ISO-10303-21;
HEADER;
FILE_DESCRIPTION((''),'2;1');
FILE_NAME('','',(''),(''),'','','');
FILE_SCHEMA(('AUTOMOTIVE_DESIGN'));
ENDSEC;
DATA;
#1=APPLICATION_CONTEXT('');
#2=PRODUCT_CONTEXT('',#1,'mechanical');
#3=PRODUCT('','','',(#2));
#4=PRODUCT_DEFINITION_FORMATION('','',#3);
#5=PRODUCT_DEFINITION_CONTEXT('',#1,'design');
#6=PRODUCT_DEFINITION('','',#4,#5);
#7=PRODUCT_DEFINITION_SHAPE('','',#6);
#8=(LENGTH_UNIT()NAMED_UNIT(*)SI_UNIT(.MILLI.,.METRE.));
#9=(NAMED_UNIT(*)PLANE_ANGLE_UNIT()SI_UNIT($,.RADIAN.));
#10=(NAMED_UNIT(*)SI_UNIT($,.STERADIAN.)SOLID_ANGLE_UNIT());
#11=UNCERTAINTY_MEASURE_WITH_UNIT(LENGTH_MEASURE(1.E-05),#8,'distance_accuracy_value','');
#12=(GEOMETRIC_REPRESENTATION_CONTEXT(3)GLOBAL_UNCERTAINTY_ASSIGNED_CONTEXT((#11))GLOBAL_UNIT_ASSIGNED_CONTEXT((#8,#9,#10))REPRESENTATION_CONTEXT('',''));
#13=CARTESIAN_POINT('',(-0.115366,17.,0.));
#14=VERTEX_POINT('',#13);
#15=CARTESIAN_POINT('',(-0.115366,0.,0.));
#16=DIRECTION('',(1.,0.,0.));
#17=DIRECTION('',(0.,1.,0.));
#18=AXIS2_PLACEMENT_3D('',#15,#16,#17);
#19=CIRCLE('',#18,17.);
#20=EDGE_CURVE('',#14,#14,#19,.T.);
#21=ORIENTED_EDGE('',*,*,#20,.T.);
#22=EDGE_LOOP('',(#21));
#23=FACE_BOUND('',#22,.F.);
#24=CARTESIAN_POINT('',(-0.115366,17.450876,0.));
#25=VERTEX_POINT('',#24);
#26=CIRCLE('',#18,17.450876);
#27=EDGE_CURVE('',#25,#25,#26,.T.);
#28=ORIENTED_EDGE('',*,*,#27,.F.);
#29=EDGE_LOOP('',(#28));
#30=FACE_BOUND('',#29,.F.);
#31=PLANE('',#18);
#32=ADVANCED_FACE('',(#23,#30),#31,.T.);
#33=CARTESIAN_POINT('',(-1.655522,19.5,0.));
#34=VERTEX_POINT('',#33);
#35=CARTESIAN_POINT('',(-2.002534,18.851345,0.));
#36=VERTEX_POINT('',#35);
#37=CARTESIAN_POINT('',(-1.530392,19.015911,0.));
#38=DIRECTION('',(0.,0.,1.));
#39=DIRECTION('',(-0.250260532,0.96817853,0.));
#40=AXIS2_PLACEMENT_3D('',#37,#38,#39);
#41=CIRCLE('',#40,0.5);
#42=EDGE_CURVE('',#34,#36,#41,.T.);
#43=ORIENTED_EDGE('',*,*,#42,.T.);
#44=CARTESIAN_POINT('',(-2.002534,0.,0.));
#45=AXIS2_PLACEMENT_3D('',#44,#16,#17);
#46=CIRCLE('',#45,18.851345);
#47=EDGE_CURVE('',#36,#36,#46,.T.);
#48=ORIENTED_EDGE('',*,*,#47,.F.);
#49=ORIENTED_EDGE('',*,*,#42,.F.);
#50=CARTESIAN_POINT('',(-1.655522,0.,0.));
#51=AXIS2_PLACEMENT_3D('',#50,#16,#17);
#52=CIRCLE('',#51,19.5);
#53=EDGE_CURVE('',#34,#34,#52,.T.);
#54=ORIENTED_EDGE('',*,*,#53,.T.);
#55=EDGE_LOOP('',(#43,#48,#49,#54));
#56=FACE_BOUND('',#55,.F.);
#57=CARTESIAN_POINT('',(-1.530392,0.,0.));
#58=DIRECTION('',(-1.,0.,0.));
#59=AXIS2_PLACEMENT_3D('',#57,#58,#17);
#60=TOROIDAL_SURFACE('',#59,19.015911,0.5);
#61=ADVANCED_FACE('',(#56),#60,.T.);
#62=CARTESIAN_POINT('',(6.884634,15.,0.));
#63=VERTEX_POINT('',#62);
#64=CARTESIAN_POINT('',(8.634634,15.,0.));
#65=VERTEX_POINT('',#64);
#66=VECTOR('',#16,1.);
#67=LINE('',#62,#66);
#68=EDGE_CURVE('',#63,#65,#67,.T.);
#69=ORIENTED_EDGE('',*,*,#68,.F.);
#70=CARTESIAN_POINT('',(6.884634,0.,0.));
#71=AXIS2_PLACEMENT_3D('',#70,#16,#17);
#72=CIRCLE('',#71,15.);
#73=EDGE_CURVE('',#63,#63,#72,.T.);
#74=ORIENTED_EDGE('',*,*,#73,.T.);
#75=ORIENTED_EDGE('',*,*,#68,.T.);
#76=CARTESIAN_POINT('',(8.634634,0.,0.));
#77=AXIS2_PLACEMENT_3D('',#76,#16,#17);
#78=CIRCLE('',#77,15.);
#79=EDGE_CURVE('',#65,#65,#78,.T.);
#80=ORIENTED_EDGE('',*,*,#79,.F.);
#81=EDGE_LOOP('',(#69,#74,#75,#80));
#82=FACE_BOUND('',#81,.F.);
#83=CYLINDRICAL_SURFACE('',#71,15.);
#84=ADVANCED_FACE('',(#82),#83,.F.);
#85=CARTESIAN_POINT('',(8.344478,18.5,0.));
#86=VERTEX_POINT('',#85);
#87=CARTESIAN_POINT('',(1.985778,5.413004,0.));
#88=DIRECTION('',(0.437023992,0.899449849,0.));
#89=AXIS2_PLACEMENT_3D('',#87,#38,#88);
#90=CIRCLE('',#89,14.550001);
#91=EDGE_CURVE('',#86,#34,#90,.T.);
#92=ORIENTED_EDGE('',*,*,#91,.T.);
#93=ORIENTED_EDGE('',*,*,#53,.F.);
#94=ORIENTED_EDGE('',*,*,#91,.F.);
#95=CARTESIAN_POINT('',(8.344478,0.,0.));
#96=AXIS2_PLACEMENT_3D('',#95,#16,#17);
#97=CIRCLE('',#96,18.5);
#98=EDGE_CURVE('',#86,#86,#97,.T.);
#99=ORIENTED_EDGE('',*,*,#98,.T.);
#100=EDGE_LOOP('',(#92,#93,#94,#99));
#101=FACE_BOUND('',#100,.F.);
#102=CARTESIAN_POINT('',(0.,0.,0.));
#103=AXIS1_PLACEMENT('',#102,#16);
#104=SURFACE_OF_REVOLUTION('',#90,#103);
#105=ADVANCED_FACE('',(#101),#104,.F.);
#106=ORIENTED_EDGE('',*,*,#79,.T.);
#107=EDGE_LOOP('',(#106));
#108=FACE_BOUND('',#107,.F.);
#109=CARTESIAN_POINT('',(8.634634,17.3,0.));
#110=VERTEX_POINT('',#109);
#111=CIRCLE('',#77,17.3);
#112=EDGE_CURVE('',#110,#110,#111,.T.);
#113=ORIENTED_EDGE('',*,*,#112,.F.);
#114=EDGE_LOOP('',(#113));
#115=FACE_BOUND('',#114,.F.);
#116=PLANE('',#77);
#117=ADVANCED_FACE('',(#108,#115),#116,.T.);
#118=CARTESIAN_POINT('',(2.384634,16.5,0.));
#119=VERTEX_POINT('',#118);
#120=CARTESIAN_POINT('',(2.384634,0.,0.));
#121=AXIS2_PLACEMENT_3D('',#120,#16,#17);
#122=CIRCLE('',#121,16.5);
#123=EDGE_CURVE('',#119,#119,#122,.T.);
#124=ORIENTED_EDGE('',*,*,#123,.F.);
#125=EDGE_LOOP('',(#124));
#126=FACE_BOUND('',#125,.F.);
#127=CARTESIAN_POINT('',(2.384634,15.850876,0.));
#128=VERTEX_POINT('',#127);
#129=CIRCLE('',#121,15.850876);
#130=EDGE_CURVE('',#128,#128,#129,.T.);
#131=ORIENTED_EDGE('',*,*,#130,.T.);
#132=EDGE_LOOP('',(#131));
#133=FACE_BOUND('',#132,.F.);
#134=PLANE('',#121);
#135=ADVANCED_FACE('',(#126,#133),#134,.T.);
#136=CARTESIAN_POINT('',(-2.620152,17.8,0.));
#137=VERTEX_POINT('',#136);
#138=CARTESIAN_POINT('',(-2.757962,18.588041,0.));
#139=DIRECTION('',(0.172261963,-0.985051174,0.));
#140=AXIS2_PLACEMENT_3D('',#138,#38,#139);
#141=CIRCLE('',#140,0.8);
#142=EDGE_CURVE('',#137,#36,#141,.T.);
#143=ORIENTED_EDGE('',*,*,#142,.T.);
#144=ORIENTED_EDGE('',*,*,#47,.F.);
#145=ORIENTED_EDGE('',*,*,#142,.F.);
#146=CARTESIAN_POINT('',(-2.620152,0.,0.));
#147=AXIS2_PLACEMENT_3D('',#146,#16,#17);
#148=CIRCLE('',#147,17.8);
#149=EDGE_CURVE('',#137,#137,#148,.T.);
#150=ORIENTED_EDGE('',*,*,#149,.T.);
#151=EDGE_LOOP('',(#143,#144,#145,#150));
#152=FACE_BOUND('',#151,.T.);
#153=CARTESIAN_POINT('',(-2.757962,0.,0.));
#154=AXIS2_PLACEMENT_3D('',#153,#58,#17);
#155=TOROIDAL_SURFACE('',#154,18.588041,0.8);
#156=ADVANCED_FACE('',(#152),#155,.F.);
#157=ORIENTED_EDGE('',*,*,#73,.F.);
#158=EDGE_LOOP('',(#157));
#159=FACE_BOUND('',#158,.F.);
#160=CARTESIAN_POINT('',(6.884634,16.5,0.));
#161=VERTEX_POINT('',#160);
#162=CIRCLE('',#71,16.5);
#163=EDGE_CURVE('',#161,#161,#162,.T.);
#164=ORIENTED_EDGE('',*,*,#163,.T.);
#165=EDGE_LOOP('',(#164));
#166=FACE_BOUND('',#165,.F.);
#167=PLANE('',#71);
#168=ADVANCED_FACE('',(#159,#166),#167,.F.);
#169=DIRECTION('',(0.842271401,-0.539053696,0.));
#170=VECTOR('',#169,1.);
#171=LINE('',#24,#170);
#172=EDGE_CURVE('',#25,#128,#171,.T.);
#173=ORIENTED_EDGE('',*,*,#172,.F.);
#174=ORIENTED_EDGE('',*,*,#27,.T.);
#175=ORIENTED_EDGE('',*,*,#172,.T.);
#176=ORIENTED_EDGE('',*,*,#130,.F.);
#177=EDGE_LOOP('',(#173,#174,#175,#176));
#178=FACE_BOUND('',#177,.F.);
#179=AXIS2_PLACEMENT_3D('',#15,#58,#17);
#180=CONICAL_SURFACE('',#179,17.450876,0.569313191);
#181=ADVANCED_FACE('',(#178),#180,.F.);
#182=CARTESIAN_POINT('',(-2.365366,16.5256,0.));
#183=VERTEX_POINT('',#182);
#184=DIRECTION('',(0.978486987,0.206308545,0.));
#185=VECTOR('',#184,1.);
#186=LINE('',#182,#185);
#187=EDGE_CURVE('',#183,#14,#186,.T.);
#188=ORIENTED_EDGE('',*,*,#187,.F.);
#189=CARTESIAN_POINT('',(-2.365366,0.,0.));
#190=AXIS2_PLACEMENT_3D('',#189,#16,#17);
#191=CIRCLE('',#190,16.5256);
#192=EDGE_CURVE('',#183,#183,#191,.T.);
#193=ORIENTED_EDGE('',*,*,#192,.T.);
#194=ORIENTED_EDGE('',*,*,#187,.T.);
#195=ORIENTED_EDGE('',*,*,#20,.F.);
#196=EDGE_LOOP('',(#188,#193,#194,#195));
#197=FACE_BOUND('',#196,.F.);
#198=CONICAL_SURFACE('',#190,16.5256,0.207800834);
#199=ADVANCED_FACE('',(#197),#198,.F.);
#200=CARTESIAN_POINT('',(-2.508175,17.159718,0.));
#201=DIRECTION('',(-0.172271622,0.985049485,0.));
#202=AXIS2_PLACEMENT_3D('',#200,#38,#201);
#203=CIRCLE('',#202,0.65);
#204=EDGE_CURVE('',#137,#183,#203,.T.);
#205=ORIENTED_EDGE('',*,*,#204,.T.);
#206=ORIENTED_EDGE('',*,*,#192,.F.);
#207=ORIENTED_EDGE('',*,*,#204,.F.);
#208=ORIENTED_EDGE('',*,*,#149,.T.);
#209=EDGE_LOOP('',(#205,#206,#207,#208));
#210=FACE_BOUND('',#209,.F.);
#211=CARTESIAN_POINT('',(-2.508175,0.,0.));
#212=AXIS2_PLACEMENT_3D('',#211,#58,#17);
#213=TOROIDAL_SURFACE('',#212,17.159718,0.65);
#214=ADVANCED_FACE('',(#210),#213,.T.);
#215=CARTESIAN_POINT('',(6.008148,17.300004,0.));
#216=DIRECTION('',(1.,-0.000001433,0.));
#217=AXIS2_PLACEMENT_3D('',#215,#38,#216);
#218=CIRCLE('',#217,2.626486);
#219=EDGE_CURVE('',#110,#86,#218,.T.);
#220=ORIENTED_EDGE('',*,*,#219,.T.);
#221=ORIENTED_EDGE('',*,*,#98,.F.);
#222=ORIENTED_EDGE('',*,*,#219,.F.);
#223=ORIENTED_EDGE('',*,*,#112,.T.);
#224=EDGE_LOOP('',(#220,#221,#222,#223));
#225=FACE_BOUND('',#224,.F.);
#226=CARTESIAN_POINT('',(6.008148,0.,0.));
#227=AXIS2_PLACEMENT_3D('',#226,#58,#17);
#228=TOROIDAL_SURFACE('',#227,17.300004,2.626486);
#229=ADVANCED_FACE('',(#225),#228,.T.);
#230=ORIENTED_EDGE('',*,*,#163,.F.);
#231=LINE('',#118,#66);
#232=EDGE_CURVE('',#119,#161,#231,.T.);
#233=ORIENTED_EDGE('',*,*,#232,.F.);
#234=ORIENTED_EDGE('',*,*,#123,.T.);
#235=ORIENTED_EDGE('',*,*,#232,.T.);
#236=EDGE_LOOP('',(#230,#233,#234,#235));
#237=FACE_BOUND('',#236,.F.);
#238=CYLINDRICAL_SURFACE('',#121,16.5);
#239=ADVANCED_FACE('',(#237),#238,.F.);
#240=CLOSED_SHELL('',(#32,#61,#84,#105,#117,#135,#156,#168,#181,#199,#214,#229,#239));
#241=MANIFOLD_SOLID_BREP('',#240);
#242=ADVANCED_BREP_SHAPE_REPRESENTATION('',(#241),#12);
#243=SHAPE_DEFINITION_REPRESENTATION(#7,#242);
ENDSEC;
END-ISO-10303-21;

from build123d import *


with BuildPart() as part:
    # Sketch → Revolution (revolve)
    with BuildSketch(Plane.XY):
        with BuildLine():
            ThreePointArc((8.344478, 18.5), (3.433557, 19.890796), (-1.655522, 19.5))
            ThreePointArc((-1.655522, 19.5), (-1.971268, 19.251767), (-2.002534, 18.851345))
            ThreePointArc((-2.620152, 17.8), (-2.068179, 18.182825), (-2.002534, 18.851345))
            ThreePointArc((-2.620152, 17.8), (-3.145562, 17.032288), (-2.365366, 16.5256))
            Line((-2.365366, 16.5256), (-0.115366, 17))
            Line((-0.115366, 17), (-0.115366, 17.450876))
            Line((-0.115366, 17.450876), (2.384634, 15.850876))
            Line((2.384634, 15.850876), (2.384634, 16.5))
            Line((2.384634, 16.5), (6.884634, 16.5))
            Line((6.884634, 16.5), (6.884634, 15))
            Line((6.884634, 15), (8.634634, 15))
            Line((8.634634, 15), (8.634634, 17.3))
            ThreePointArc((8.634634, 17.3), (8.561065, 17.917291), (8.344478, 18.5))
        make_face()
    revolve(axis=Axis((0, 0, 0), (1, 0, 0)))


solid = part.part
